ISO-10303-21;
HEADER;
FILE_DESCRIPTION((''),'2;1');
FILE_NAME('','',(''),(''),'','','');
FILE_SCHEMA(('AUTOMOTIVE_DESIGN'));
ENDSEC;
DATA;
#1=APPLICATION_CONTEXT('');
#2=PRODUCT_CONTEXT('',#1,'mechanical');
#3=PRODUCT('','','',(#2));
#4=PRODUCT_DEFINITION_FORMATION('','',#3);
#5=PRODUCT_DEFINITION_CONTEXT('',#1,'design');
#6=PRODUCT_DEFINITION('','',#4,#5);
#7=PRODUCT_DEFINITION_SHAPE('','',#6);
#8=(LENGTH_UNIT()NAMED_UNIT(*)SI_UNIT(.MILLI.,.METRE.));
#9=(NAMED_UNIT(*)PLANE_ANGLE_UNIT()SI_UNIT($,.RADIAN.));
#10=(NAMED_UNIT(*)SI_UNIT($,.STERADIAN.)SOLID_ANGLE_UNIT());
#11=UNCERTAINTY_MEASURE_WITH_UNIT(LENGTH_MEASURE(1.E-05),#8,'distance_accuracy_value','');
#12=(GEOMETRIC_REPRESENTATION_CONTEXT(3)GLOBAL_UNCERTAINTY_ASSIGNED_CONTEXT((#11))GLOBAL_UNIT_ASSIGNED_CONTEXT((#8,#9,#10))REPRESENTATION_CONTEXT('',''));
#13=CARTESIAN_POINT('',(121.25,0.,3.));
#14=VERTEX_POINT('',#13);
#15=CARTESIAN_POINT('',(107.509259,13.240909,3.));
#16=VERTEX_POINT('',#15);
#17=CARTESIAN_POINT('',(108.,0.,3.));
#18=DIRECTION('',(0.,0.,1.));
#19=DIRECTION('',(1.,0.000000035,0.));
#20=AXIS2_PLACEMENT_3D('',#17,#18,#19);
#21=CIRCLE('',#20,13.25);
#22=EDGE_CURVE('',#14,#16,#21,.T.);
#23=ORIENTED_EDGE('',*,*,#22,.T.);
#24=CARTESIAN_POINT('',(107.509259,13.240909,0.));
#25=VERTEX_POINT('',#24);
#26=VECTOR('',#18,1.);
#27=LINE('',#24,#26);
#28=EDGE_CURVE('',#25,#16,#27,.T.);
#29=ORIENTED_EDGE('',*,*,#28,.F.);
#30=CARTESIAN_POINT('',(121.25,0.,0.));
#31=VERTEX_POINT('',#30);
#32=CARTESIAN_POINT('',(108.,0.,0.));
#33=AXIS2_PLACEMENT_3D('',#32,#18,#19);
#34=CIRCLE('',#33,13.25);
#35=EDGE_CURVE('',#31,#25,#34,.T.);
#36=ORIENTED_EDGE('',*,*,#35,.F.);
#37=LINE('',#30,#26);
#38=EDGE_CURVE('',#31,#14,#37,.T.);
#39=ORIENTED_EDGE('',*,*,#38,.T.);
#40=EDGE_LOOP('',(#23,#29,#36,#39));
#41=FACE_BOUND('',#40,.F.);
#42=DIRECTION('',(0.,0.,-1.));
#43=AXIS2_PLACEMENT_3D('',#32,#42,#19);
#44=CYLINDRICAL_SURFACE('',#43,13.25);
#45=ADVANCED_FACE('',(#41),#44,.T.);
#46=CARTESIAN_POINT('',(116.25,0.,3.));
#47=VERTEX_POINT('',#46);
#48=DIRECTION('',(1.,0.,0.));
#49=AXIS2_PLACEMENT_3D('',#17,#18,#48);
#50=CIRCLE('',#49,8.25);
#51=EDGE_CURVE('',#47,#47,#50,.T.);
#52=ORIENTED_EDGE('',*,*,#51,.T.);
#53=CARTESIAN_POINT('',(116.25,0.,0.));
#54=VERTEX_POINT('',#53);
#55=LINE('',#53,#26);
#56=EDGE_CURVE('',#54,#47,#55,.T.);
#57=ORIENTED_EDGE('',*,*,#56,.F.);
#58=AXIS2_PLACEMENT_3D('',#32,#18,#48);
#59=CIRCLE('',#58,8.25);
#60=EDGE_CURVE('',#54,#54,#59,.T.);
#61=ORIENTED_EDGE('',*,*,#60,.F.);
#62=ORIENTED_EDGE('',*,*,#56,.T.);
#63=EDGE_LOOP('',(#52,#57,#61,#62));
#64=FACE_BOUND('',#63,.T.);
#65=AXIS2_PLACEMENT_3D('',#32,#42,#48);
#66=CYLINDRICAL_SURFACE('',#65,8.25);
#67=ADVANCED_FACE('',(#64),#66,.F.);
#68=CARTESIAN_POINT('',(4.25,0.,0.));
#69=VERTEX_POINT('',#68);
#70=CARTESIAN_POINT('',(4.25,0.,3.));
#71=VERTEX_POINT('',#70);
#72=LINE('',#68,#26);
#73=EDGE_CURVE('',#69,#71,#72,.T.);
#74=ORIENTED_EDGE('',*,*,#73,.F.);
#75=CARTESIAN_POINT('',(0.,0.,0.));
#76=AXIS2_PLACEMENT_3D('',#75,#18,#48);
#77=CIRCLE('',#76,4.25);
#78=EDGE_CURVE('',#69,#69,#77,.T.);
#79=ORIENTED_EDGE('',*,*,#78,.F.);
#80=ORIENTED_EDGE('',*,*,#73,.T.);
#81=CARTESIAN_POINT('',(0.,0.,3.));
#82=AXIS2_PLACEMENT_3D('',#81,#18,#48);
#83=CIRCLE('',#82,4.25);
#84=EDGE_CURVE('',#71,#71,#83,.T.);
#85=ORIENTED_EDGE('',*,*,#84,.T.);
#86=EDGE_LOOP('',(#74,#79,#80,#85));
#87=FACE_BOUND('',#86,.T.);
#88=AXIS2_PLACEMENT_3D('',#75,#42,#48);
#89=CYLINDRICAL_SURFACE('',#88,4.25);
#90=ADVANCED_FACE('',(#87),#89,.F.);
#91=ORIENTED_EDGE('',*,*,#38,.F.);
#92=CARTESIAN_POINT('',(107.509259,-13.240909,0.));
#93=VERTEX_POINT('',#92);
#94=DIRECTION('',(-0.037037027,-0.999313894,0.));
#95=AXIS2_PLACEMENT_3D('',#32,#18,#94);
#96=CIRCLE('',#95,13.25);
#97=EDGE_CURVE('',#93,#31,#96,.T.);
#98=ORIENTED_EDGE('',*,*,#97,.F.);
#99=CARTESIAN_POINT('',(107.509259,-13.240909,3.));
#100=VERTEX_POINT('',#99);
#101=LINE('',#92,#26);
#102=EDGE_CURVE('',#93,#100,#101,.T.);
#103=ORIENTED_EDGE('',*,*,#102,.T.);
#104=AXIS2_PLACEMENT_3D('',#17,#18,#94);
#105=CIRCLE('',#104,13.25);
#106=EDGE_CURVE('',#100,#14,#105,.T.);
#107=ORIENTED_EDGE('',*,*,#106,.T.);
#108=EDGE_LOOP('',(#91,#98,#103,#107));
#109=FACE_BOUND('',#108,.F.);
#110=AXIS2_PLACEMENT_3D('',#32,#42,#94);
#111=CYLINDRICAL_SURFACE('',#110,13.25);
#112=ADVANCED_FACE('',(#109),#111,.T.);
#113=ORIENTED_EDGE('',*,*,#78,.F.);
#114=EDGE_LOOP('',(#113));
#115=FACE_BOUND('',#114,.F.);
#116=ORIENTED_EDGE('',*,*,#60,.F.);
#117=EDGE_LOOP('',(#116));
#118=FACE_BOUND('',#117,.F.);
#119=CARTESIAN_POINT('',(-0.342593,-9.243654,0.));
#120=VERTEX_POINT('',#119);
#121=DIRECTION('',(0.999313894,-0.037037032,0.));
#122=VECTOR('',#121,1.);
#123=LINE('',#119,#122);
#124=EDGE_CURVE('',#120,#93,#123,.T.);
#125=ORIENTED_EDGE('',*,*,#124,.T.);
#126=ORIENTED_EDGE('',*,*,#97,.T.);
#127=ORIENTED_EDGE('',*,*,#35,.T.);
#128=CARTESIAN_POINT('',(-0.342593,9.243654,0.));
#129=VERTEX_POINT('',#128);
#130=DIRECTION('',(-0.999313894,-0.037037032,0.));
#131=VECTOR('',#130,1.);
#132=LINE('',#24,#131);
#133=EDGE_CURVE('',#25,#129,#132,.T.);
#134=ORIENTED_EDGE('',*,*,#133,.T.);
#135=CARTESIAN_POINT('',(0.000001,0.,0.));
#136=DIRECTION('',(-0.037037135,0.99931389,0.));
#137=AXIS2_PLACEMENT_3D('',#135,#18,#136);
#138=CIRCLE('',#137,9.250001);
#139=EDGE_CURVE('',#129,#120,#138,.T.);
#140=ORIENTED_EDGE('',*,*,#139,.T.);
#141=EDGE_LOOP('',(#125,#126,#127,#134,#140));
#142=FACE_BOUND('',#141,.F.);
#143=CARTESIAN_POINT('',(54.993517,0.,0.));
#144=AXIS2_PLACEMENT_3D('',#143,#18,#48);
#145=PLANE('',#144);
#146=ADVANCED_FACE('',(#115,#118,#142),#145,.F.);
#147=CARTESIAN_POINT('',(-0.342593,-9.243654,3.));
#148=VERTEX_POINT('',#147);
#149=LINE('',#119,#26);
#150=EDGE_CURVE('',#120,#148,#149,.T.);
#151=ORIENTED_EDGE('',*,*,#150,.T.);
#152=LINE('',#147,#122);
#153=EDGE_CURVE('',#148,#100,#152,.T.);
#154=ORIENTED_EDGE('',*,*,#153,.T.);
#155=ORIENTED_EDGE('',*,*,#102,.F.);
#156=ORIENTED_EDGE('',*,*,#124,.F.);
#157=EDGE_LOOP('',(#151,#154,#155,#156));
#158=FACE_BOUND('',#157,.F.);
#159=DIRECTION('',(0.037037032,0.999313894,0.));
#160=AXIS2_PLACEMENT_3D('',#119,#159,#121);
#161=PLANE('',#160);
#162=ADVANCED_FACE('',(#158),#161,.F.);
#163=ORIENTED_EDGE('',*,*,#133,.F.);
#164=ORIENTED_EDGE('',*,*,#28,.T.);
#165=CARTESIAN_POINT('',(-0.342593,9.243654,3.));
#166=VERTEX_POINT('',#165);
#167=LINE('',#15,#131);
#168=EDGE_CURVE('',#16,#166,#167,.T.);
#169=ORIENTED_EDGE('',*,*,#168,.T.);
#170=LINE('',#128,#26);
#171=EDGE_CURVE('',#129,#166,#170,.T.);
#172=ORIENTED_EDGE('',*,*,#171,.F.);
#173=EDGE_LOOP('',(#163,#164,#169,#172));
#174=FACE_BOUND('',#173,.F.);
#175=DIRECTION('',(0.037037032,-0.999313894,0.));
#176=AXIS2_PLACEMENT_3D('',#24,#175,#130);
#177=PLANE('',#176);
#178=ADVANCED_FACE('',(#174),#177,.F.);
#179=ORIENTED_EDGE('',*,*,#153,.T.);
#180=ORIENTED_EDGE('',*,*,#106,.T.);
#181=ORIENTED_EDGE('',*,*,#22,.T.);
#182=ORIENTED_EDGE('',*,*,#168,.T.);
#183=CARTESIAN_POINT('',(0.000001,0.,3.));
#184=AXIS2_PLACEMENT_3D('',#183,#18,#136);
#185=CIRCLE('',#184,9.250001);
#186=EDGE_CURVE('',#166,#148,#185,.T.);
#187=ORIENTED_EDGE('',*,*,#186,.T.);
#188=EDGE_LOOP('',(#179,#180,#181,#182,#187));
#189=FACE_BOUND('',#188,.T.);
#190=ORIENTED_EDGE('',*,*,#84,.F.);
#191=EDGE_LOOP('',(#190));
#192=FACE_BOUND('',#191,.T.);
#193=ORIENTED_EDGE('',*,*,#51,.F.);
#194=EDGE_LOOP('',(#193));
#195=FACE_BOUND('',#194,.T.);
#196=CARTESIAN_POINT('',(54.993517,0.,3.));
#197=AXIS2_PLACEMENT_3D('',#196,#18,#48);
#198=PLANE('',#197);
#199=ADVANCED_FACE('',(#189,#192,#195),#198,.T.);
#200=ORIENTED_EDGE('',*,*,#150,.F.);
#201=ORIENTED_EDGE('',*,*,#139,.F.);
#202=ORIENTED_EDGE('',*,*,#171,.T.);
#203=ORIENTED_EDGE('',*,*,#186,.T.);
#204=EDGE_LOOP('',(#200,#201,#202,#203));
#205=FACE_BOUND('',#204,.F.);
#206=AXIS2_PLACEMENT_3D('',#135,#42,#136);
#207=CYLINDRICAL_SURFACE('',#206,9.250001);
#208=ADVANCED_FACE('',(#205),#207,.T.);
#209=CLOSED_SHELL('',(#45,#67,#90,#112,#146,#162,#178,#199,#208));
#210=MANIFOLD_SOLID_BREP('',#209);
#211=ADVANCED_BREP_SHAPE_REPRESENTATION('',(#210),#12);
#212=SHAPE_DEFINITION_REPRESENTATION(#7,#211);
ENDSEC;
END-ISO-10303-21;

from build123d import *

# Parameters (mm, degrees)
F0_R     = 4.25
F0_R_2   = 8.25
F1_DEPTH = 3


with BuildPart() as f1:
    # F0 (on Top) → F1 (new body)
    with BuildSketch(Plane.XY):
        with BuildLine():
            ThreePointArc((-0.342593, 9.243654), (6.41847, 6.660761), (9.25, 0))
            ThreePointArc((9.25, 0), (6.41847, -6.660761), (-0.342593, -9.243654))
            Line((-0.342593, -9.243654), (107.509259, -13.240909))
            ThreePointArc((107.509259, -13.240909), (94.75, 0), (107.509259, 13.240909))
            Line((107.509259, 13.240909), (-0.342593, 9.243654))
        make_face()
        with BuildLine():
            ThreePointArc((-0.342593, -9.243654), (6.41847, -6.660761), (9.25, 0))
            ThreePointArc((9.25, 0), (6.41847, 6.660761), (-0.342593, 9.243654))
            ThreePointArc((-0.342593, 9.243654), (-9.25, 0), (-0.342593, -9.243654))
        make_face()
        Circle(F0_R, mode=Mode.SUBTRACT)
        with BuildLine():
            ThreePointArc((121.25, 0), (117.194025, 9.54109), (107.509259, 13.240909))
            ThreePointArc((107.509259, 13.240909), (94.75, 0), (107.509259, -13.240909))
            ThreePointArc((107.509259, -13.240909), (117.194025, -9.54109), (121.25, 0))
        make_face()
        with Locations((108, 0)):
            Circle(F0_R_2, mode=Mode.SUBTRACT)
    extrude(amount=F1_DEPTH)


solid = f1.part
